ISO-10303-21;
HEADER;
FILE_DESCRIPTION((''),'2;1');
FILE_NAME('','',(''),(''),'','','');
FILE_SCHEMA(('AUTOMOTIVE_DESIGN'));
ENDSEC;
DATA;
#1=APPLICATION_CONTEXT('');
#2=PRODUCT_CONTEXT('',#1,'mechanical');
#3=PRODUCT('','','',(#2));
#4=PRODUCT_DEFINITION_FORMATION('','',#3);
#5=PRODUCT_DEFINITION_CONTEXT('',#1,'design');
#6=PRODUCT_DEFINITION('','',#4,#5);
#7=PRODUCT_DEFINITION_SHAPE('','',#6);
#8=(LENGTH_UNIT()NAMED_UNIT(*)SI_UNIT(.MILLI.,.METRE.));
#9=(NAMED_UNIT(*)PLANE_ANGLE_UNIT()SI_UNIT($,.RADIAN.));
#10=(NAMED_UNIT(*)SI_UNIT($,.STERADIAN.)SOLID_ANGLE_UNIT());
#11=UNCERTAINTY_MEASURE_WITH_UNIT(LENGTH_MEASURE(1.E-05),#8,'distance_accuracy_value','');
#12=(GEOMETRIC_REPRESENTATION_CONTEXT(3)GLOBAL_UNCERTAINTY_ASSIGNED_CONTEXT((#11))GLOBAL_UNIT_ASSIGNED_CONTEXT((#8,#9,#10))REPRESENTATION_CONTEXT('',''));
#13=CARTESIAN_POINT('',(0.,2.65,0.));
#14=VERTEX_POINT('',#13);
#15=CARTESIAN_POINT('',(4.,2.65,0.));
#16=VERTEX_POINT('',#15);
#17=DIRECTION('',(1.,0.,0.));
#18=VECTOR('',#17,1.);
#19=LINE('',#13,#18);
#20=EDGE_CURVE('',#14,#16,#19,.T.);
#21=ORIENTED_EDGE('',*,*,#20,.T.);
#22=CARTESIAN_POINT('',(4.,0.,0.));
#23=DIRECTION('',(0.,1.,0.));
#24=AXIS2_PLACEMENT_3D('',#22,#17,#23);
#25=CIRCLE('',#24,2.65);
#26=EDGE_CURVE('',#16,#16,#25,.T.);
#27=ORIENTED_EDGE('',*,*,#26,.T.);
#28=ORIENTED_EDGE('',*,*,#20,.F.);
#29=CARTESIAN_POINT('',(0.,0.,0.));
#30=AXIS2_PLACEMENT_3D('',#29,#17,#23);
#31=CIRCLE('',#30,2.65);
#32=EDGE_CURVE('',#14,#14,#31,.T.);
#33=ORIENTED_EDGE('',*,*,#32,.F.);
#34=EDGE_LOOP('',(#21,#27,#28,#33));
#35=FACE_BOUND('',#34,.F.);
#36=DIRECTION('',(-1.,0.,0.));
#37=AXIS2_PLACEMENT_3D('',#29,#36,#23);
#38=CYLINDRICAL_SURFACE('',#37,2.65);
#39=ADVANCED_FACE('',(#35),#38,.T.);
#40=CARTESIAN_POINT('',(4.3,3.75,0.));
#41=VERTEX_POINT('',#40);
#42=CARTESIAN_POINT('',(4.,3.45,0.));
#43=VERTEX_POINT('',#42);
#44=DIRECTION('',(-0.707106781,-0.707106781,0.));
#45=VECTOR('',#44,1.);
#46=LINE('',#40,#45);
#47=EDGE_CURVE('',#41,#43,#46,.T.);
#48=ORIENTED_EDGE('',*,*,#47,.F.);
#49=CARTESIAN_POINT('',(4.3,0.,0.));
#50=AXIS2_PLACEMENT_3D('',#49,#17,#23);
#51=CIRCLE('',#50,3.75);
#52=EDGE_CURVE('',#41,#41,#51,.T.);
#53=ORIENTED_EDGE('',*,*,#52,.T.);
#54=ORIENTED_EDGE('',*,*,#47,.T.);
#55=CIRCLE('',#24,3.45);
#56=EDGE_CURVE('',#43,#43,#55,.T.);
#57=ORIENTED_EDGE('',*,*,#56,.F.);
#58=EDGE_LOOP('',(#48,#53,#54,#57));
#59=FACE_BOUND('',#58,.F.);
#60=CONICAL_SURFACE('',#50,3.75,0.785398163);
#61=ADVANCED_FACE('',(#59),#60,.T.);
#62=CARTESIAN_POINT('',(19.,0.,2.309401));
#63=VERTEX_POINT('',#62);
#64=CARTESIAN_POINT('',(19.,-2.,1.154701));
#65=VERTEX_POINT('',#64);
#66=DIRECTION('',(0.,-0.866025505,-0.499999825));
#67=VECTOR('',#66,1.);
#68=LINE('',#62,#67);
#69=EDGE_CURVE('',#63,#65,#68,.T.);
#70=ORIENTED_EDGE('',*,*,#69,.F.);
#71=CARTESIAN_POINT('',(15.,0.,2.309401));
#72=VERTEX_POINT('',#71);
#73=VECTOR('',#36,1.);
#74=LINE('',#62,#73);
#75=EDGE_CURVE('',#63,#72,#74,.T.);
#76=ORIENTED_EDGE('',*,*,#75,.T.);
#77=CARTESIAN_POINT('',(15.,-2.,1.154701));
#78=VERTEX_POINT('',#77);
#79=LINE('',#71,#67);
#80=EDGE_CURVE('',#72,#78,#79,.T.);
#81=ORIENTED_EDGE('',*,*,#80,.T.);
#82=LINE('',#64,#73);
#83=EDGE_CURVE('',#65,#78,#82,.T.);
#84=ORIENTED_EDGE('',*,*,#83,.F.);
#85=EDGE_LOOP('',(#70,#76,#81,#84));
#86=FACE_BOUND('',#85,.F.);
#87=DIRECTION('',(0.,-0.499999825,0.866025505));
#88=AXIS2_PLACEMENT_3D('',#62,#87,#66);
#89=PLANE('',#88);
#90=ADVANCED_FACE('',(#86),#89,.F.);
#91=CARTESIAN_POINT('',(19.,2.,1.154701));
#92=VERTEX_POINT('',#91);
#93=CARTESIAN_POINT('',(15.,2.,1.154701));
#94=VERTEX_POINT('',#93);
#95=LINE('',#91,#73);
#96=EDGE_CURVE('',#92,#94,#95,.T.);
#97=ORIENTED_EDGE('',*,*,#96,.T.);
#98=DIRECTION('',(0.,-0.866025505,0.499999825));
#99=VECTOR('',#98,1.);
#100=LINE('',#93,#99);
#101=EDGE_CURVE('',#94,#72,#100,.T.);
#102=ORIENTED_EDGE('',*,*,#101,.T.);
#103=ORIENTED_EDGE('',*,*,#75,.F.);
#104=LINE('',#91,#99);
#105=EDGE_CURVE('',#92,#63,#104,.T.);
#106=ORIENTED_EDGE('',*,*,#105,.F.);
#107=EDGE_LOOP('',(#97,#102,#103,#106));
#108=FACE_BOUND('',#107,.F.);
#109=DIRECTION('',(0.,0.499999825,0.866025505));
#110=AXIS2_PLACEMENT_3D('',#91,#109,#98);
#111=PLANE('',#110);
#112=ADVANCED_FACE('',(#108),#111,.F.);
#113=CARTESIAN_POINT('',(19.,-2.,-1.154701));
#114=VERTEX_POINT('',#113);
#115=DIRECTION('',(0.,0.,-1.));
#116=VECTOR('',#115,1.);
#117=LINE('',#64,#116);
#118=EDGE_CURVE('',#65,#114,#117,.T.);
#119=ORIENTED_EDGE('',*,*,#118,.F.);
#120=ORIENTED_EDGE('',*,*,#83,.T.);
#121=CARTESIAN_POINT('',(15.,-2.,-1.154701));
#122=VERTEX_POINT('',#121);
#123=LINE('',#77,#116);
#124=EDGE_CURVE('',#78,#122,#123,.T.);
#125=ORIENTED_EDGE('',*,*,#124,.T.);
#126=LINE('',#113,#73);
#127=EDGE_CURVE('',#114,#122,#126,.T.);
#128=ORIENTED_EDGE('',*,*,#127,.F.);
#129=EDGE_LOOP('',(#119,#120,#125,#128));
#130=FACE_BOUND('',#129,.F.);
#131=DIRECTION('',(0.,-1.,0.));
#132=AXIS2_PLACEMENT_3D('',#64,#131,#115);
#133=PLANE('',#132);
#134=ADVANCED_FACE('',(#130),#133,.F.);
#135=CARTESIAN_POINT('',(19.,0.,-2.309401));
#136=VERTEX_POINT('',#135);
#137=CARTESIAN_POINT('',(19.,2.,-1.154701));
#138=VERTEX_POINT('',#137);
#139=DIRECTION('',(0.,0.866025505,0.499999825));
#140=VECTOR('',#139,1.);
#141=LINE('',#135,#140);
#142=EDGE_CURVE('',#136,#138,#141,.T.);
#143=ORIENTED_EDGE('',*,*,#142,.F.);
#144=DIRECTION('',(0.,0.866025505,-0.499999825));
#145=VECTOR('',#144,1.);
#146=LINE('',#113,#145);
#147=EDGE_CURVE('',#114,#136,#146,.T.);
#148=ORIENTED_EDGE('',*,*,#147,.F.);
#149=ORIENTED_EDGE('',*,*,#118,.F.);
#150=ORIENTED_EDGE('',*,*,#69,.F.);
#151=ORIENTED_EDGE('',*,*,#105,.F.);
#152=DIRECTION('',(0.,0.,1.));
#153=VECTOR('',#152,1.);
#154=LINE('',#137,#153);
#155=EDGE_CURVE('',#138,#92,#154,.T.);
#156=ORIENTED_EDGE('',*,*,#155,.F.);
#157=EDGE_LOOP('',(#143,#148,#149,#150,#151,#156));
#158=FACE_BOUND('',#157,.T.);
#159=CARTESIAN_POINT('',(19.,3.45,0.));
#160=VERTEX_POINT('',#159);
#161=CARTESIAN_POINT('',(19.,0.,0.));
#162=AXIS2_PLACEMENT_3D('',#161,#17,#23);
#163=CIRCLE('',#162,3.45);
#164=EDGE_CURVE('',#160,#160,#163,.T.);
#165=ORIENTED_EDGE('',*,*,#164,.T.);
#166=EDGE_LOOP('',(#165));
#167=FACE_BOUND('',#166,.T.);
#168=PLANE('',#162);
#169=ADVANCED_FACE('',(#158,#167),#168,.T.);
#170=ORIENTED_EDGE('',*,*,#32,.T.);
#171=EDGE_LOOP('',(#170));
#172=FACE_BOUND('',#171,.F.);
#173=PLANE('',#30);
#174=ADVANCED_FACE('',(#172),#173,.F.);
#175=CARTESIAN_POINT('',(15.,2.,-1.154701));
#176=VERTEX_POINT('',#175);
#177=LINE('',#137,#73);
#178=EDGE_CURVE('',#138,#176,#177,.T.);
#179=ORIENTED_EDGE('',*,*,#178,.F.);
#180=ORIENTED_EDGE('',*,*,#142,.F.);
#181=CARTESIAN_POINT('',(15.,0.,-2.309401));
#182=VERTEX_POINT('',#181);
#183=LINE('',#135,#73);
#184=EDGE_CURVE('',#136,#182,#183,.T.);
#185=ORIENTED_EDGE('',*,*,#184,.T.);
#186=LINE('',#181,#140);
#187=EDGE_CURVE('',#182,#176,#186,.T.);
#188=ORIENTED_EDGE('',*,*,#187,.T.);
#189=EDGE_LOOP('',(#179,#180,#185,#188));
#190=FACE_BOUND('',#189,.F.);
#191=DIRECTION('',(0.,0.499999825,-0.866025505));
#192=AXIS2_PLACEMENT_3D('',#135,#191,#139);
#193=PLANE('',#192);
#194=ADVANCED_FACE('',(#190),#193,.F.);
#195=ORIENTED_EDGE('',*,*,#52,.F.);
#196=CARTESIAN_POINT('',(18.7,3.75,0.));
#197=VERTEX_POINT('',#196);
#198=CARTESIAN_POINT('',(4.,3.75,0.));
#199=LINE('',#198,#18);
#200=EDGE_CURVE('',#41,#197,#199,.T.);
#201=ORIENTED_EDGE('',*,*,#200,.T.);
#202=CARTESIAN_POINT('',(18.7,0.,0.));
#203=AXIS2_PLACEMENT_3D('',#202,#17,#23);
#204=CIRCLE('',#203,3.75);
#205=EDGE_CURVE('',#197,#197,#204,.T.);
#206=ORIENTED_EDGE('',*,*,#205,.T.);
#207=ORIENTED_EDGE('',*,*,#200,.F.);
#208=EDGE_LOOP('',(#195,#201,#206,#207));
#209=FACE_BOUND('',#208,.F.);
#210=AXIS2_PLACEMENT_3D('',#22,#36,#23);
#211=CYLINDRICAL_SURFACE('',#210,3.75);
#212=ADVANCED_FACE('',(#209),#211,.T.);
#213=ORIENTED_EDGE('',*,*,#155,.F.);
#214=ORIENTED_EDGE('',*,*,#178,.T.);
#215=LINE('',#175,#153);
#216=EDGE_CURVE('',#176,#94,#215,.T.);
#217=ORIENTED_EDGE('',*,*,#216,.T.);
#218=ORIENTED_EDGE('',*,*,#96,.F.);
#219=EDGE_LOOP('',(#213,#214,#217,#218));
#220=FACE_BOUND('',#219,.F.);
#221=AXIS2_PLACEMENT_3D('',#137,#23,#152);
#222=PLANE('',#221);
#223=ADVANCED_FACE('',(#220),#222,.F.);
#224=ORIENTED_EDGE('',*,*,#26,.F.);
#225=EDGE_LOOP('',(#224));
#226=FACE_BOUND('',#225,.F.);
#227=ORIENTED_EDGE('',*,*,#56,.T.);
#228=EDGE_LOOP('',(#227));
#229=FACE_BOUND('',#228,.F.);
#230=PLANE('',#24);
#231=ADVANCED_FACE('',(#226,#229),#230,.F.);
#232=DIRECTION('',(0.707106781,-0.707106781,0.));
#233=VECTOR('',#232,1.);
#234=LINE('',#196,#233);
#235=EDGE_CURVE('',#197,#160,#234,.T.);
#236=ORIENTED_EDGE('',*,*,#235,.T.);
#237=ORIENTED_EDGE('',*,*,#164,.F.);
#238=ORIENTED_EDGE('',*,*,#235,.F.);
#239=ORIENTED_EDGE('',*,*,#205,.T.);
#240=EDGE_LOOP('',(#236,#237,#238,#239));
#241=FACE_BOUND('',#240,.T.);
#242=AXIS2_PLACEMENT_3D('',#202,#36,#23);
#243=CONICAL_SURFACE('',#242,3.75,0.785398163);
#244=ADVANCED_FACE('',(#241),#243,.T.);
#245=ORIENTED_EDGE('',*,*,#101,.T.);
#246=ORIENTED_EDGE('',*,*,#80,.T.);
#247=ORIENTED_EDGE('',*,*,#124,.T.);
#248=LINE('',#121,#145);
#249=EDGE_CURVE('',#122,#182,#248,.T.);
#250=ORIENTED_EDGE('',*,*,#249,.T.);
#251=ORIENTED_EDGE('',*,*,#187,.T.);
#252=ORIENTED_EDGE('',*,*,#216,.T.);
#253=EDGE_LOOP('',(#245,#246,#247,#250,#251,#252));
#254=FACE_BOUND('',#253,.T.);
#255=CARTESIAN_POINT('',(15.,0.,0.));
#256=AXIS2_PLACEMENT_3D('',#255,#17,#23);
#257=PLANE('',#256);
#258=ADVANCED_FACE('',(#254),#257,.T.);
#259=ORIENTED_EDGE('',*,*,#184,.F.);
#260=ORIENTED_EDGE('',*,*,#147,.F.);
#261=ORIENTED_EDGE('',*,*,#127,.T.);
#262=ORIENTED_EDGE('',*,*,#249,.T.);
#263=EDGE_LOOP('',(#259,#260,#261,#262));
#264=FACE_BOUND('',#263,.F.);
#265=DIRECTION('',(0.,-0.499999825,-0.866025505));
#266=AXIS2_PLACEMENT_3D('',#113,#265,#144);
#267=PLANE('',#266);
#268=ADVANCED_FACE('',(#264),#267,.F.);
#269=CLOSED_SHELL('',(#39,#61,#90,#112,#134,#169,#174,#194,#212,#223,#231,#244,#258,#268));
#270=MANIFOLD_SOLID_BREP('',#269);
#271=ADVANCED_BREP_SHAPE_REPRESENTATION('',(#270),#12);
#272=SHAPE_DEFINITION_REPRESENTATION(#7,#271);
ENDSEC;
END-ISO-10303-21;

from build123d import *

# Parameters (mm, degrees)
F0_R     = 2.65
F1_DEPTH = 4
F2_R     = 3.75
F3_DEPTH = 15
F5_DEPTH = 4
F6_SIZE  = 0.3


with BuildPart() as f1:
    # F0 (on Right) → F1 (new body)
    with BuildSketch(Plane.YZ):
        Circle(F0_R)
    extrude(amount=F1_DEPTH)

    # F2 (on face) → F3 (join)
    with BuildSketch(Plane.YZ.offset(4)):
        Circle(F2_R)
    extrude(amount=F3_DEPTH)

    # F4 (on face) → F5 (cut)
    with BuildSketch(Plane.YZ.offset(19)):
        Polygon((2, -1.154701), (2, 1.154701), (0, 2.309401), (-2, 1.154701), (-2, -1.154701), (0, -2.309401), align=None)
    extrude(amount=-F5_DEPTH, mode=Mode.SUBTRACT)

    # F6
    f6_edges = [f1.edges().sort_by_distance(p)[0] for p in [
        (19, -3.75, 0),
        (4, -3.75, 0),
    ]]
    chamfer(f6_edges, length=F6_SIZE)


solid = f1.part
